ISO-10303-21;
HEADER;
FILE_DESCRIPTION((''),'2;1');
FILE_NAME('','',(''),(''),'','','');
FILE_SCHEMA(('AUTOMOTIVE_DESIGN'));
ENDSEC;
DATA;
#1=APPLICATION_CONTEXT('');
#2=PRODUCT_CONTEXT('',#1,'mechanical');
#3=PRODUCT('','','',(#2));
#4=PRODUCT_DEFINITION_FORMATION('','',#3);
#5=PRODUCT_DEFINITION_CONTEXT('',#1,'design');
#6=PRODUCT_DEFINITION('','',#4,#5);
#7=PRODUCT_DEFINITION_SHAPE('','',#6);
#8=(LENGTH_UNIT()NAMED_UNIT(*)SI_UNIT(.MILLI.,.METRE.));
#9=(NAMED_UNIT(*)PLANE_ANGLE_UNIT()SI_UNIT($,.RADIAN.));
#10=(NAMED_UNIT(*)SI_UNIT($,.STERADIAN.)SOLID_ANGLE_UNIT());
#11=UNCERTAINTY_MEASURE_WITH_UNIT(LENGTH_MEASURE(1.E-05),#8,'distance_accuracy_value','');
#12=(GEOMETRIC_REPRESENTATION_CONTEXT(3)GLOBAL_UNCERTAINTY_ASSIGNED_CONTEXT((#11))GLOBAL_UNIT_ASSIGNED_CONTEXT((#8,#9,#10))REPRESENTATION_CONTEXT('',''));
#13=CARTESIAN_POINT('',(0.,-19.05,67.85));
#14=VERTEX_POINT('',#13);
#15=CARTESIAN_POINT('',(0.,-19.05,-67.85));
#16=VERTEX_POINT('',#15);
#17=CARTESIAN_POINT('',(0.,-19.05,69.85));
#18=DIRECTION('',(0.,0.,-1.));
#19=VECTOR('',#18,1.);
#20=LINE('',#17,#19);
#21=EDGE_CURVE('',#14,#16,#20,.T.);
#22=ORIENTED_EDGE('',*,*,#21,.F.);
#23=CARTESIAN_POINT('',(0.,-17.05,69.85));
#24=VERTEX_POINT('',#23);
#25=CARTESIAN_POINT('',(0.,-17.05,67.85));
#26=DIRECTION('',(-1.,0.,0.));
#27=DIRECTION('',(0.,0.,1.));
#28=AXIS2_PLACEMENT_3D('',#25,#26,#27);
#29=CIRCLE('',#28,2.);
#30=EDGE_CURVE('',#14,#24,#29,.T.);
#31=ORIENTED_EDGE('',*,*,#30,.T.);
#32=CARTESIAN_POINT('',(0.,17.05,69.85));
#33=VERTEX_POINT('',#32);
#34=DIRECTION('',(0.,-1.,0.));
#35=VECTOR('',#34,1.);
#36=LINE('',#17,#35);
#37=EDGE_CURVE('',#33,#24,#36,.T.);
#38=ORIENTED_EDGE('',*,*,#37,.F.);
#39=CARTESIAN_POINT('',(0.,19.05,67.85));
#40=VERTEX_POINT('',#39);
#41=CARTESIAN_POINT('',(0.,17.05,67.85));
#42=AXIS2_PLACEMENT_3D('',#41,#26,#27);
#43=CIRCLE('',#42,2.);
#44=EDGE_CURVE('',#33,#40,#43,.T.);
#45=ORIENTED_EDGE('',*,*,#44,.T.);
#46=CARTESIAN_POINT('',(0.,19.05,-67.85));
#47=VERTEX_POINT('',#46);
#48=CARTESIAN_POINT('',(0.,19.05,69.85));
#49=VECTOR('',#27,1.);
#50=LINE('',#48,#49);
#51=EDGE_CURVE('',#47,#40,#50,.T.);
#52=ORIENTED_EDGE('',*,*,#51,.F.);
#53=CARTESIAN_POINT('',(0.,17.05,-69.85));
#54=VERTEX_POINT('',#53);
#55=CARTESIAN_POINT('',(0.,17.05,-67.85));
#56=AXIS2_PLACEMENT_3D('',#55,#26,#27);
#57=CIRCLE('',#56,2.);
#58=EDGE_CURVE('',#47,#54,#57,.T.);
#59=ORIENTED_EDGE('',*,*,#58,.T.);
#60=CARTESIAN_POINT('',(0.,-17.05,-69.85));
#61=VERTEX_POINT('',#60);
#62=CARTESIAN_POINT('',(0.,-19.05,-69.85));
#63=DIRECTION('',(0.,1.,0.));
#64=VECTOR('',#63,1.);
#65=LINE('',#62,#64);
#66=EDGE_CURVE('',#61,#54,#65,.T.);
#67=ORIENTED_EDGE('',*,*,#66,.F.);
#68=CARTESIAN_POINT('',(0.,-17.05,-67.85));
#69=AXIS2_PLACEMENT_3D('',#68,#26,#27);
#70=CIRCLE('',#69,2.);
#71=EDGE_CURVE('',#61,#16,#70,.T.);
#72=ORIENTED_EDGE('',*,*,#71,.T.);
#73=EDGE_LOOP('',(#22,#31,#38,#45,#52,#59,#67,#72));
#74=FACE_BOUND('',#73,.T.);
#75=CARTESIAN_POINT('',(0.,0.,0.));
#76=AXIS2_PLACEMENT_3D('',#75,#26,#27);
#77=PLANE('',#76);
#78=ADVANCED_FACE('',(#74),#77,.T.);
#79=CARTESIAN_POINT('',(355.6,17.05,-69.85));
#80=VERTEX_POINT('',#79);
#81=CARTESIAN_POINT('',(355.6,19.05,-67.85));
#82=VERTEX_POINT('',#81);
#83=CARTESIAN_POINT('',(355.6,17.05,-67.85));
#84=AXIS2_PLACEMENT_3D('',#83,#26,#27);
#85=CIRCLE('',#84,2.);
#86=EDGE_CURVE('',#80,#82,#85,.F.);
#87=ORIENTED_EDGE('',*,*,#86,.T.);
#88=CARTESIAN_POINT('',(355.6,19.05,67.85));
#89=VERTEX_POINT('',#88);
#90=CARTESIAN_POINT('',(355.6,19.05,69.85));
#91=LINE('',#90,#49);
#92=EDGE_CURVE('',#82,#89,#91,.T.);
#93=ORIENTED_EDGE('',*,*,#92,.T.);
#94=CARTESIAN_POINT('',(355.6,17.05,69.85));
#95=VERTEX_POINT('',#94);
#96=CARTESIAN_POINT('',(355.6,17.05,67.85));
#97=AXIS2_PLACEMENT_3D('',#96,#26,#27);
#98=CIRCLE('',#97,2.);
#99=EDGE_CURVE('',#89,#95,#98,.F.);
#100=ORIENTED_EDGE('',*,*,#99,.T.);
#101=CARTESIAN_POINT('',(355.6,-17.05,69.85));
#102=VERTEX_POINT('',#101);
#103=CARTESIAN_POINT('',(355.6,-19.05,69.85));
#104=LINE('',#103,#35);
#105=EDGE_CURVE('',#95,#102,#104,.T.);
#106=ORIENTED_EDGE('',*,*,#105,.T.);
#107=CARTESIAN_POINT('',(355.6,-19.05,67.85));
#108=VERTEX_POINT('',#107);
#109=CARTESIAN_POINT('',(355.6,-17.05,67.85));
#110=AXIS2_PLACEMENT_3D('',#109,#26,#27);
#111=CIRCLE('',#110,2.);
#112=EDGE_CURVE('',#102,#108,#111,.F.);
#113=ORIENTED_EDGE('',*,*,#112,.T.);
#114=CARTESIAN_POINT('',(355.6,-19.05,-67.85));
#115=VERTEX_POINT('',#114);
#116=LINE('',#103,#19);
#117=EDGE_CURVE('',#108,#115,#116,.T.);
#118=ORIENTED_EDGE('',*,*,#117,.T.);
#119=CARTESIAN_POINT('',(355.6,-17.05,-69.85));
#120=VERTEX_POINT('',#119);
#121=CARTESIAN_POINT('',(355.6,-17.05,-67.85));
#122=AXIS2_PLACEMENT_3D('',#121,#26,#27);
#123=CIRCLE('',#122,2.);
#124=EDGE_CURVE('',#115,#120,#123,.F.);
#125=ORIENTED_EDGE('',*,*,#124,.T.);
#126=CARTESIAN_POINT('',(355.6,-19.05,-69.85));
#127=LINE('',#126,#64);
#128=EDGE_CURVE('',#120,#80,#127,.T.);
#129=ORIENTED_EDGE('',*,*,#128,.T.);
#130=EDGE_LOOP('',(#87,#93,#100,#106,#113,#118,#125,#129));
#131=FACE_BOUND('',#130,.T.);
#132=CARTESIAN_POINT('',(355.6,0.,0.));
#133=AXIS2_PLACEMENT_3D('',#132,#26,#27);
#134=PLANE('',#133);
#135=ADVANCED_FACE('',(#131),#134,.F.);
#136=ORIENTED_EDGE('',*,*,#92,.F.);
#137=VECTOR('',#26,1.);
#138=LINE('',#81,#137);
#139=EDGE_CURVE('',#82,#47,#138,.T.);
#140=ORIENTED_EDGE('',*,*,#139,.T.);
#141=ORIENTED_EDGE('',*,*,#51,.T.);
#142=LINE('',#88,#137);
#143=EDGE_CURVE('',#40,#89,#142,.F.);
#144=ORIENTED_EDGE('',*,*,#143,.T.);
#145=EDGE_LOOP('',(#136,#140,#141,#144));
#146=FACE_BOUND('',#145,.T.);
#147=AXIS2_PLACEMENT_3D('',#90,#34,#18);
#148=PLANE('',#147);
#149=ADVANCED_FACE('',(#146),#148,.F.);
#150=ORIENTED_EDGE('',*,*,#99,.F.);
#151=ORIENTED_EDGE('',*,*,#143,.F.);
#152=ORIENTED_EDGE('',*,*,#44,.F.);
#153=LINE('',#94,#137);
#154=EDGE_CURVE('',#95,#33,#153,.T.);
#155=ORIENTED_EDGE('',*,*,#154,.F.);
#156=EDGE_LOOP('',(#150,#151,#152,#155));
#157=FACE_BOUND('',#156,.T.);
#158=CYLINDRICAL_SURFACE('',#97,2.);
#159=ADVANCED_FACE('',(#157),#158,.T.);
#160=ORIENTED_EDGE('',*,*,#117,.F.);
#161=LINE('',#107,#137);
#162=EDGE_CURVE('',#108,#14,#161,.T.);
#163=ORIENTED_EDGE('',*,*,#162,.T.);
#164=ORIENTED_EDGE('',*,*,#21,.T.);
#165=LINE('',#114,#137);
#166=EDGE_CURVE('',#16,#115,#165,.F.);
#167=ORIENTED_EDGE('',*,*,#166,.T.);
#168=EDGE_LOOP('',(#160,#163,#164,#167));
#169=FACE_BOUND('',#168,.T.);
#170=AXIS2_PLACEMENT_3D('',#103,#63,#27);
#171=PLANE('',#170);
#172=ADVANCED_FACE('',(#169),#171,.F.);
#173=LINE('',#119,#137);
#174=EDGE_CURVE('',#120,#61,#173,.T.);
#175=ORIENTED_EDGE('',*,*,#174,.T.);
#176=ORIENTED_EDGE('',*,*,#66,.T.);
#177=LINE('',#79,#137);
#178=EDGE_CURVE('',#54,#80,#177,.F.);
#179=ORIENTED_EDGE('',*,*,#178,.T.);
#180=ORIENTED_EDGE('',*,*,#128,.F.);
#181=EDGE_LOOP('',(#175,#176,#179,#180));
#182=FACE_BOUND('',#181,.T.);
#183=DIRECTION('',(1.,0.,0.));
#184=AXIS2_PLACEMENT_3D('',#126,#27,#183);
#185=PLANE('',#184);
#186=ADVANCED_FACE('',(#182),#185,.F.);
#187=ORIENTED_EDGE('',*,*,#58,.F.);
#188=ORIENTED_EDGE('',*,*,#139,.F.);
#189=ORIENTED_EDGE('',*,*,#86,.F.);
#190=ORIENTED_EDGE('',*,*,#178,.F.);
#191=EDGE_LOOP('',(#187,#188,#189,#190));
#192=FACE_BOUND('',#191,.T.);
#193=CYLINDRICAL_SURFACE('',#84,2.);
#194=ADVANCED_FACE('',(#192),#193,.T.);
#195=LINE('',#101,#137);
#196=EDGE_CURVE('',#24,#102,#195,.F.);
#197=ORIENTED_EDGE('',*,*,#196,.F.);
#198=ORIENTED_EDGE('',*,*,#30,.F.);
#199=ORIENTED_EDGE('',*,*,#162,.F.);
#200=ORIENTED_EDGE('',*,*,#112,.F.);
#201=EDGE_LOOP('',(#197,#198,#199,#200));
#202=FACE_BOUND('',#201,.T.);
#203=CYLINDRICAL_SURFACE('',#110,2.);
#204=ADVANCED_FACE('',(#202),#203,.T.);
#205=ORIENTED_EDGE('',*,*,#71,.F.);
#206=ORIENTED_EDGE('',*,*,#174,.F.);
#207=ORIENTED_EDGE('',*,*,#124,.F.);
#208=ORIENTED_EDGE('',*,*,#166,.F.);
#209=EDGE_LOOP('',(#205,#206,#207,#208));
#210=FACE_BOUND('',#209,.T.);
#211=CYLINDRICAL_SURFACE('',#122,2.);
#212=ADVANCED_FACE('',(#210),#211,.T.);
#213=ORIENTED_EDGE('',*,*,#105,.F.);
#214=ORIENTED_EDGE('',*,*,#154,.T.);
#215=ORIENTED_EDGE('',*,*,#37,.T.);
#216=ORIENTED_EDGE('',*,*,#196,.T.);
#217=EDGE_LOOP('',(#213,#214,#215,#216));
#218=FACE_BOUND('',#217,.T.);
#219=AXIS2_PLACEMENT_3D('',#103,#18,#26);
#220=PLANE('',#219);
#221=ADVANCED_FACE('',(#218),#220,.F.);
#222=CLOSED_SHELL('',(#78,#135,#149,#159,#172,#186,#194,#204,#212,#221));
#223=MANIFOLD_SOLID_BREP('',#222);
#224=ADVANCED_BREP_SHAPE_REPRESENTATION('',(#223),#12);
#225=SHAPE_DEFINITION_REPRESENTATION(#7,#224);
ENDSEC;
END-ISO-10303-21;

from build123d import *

# Parameters (mm, degrees)
SKETCH1_W           = 139.7
SKETCH1_H           = 38.1
BOSS_EXTRUDE1_DEPTH = 355.6
FILLET1_R           = 2


with BuildPart() as part:
    # Sketch1 → Boss-Extrude1 (new body)
    with BuildSketch(Plane(origin=(0, 0, 0), x_dir=(0, 0, -1), z_dir=(1, 0, 0))):
        Rectangle(SKETCH1_W, SKETCH1_H)
    extrude(amount=BOSS_EXTRUDE1_DEPTH)

    # Fillet1
    fillet1_edges = [part.edges().sort_by_distance(p)[0] for p in [
        (177.8, -19.05, -69.85),
        (177.8, -19.05, 69.85),
        (177.8, 19.05, 69.85),
        (177.8, 19.05, -69.85),
    ]]
    fillet(fillet1_edges, radius=FILLET1_R)


solid = part.part
